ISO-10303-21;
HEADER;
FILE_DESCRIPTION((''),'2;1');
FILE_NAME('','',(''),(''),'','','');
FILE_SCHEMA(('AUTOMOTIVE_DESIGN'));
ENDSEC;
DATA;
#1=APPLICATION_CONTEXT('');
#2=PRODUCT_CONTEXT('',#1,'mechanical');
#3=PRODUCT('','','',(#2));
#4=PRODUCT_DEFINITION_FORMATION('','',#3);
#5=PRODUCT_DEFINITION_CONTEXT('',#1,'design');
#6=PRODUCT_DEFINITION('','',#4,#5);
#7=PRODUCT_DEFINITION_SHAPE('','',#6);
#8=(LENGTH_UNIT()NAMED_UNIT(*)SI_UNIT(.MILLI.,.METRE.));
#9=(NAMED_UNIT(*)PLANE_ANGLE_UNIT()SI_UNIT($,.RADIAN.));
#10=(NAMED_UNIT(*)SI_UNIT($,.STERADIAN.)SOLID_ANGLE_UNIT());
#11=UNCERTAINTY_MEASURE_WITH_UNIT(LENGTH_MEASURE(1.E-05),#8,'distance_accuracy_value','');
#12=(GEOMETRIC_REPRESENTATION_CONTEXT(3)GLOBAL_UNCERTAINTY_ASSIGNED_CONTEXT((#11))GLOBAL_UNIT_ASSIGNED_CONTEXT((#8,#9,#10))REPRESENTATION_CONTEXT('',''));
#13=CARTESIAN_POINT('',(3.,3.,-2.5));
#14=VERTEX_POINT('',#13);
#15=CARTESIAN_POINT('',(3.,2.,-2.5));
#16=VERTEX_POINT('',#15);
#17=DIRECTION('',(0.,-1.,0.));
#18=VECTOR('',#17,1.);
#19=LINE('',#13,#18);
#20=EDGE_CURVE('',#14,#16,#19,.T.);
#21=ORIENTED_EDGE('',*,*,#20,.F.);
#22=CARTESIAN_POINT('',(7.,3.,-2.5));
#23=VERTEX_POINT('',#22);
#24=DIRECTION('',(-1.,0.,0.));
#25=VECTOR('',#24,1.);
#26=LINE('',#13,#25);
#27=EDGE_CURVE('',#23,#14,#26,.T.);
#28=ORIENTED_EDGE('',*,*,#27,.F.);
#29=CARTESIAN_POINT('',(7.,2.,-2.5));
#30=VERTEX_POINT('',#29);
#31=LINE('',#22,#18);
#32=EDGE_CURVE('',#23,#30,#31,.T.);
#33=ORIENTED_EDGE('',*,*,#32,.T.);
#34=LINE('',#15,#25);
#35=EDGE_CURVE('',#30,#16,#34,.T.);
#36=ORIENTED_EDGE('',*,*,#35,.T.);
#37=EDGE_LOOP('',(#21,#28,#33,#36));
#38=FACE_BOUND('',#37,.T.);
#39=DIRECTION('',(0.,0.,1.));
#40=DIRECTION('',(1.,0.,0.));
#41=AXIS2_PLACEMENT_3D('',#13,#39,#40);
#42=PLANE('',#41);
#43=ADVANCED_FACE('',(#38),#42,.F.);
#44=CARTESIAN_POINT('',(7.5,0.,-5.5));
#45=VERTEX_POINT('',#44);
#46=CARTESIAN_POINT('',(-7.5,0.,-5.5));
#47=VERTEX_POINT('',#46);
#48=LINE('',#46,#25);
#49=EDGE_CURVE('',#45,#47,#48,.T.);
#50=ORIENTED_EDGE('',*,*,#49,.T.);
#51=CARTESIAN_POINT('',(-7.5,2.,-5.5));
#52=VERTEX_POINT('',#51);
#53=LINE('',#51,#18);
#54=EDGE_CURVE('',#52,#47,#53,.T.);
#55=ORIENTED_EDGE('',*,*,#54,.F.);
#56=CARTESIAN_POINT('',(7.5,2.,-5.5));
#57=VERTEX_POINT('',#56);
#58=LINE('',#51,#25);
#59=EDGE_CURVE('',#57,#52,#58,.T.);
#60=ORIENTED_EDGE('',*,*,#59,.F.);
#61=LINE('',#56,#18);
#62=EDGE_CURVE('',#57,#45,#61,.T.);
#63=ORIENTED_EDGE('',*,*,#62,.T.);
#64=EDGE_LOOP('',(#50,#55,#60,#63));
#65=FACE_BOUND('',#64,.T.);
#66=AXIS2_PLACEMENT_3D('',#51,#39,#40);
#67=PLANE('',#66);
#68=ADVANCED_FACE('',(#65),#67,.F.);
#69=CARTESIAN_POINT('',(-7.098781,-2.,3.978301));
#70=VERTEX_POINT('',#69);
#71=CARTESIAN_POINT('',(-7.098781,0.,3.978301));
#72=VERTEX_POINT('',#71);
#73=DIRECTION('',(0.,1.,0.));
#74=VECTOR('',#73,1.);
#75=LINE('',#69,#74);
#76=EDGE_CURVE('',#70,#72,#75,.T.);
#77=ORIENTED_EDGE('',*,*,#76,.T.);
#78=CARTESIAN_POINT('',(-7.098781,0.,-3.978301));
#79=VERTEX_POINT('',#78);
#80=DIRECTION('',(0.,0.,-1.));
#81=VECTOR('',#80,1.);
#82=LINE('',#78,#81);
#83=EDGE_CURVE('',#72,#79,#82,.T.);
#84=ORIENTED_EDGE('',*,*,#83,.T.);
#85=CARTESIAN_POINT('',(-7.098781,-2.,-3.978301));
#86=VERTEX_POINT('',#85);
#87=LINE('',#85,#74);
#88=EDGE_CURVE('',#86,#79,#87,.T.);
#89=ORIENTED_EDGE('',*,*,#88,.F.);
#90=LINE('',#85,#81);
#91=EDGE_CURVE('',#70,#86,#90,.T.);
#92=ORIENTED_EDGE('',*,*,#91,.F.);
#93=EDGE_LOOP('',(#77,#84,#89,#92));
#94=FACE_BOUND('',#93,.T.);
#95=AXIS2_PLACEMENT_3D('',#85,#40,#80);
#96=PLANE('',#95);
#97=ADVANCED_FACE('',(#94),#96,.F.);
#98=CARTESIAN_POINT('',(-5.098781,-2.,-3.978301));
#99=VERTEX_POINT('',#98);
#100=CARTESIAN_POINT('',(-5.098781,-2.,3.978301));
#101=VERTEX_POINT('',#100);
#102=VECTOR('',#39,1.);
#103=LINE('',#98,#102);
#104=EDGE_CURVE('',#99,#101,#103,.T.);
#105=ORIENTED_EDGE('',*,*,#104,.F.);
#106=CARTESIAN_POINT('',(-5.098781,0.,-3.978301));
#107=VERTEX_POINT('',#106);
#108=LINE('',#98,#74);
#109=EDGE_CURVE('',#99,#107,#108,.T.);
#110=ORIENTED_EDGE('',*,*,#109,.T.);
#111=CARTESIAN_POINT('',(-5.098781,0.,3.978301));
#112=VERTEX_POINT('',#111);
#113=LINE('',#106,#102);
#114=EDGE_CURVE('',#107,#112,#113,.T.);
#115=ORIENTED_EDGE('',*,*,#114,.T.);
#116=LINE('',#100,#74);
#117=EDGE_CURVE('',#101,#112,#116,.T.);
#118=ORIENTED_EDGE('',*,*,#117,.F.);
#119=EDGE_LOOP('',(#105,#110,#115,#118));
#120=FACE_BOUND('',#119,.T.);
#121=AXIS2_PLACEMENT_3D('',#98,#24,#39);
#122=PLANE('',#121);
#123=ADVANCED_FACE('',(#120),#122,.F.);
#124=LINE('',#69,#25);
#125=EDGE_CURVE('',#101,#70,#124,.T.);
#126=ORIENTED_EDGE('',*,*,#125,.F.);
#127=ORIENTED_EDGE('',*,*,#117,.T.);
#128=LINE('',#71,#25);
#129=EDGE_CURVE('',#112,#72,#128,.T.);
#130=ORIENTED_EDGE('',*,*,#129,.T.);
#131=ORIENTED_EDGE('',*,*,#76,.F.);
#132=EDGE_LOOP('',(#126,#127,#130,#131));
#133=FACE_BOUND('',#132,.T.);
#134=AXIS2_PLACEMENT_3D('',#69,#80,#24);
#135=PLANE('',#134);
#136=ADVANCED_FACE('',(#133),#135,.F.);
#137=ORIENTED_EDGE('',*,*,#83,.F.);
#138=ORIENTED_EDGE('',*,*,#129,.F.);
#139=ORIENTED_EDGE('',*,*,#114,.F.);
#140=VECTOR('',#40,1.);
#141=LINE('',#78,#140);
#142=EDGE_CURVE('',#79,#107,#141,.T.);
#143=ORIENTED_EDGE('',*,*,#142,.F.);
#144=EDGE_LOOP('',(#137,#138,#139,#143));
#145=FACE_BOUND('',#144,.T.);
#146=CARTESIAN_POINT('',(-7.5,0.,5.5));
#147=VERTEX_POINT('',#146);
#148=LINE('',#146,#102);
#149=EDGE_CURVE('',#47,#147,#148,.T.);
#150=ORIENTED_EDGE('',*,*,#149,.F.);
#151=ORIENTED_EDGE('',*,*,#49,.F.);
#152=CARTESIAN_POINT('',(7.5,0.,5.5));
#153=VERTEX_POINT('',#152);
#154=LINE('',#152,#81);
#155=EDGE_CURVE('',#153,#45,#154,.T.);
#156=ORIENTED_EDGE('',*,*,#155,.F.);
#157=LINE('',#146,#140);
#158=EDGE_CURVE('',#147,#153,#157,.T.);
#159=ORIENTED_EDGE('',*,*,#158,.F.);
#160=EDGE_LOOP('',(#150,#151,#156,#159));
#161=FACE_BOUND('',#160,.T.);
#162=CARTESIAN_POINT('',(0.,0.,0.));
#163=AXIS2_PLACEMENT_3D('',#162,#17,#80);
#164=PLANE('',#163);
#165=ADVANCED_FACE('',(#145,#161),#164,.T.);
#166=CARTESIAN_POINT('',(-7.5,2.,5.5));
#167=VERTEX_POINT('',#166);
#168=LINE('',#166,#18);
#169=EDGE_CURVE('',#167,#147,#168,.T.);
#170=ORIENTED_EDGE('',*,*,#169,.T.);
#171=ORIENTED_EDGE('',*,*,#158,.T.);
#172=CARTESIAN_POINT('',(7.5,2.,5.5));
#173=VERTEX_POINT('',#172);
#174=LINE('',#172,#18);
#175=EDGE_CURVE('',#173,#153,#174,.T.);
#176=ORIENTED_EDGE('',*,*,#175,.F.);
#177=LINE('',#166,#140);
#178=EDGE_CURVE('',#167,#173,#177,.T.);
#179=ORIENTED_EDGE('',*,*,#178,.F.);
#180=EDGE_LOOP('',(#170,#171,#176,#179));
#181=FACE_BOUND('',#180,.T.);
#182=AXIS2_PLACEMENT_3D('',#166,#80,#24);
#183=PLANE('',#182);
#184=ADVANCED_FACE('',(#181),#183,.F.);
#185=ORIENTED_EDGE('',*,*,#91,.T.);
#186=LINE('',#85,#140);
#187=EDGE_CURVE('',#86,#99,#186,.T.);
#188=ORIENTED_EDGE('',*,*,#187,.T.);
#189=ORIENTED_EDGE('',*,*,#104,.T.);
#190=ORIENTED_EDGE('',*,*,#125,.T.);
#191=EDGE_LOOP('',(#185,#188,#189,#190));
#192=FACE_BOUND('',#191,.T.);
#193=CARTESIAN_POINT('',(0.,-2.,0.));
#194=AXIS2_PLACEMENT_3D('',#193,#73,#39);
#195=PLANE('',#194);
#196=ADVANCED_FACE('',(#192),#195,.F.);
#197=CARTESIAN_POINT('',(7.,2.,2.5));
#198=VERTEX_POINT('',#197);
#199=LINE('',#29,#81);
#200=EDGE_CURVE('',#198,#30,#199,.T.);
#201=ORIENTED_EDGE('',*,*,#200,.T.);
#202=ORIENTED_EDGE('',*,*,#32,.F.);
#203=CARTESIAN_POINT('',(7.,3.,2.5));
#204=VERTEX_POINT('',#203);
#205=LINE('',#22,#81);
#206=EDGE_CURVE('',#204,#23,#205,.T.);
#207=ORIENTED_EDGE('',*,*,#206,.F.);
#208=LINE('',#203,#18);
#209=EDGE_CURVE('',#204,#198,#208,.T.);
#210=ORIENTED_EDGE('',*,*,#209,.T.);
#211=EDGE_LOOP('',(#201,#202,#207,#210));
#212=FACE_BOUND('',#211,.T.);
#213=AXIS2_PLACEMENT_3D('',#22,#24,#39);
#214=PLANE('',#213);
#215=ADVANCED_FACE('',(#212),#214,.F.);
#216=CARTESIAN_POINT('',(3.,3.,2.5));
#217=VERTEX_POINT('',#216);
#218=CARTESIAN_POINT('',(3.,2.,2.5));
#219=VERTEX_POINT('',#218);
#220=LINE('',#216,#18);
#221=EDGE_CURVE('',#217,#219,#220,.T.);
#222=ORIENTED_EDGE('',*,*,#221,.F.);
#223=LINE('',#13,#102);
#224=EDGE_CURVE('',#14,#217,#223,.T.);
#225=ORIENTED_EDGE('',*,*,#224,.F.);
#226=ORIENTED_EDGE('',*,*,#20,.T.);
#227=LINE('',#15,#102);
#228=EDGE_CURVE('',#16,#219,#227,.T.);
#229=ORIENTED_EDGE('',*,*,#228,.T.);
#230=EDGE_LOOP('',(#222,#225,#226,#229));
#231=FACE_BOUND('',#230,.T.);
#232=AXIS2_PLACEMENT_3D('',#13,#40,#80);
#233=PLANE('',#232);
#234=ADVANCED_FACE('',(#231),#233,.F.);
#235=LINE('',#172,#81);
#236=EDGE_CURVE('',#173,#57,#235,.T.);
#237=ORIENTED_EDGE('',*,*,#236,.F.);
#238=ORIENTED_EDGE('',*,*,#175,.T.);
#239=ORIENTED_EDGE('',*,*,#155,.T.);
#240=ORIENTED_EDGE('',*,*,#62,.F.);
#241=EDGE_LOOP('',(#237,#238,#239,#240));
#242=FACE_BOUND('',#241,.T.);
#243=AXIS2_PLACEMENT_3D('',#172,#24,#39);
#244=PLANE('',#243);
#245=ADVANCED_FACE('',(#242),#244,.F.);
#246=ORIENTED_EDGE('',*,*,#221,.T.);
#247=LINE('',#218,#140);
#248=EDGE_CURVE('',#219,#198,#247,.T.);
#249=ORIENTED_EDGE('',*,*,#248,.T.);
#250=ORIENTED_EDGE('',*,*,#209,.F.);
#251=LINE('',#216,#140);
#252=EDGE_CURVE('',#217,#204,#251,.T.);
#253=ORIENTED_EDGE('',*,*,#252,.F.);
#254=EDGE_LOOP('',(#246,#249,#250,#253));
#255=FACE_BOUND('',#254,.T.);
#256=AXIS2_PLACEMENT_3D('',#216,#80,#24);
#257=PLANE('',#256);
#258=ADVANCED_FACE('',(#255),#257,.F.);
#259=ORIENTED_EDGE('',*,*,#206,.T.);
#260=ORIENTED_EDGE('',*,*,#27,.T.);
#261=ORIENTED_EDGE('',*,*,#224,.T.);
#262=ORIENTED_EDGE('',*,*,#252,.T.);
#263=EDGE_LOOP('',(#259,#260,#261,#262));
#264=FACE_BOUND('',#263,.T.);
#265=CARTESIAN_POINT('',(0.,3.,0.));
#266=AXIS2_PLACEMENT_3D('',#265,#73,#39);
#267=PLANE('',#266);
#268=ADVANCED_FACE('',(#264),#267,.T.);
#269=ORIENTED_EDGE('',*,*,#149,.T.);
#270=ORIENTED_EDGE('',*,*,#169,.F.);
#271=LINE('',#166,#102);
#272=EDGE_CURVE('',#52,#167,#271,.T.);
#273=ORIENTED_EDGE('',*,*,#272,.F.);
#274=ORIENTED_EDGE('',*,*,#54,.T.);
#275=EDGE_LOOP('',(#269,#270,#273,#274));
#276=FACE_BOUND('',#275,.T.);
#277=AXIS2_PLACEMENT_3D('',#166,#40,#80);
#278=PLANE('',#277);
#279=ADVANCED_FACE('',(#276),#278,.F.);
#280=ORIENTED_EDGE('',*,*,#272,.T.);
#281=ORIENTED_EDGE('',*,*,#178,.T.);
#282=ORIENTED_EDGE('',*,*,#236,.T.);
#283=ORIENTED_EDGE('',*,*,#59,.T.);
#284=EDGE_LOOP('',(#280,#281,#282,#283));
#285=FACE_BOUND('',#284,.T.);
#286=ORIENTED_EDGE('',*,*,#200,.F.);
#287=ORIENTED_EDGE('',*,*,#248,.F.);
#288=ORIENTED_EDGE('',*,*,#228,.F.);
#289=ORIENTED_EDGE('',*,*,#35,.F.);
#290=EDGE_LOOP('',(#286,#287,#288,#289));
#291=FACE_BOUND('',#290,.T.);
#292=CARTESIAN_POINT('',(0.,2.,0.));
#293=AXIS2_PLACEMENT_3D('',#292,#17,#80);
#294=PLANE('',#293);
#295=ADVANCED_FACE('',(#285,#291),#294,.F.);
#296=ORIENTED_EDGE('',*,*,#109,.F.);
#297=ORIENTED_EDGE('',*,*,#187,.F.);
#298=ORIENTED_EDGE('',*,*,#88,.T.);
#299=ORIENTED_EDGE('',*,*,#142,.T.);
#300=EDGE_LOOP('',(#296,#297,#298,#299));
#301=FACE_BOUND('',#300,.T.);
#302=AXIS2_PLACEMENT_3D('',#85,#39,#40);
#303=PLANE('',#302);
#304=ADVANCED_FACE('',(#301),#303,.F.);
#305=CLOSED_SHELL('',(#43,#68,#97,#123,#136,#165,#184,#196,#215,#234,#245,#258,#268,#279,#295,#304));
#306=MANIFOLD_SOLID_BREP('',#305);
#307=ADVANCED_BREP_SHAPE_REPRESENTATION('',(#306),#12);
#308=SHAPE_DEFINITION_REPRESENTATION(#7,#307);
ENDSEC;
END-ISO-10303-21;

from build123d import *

# Parameters (mm, degrees)
SKETCH_1_W      = 15
SKETCH_1_H      = 11
EXTRUDE_1_DEPTH = 2
SKETCH_2_W      = 4
SKETCH_2_H      = 5
EXTRUDE_2_DEPTH = 1
SKETCH_3_W      = 2
SKETCH_3_H      = 7.956602162
EXTRUDE_3_DEPTH = 2


with BuildPart() as part:
    # 스케치1 → 보스-돌출1 (new body)
    with BuildSketch(Plane(origin=(0, 0, 0), x_dir=(1, 0, 0), z_dir=(0, 1, 0))):
        Rectangle(SKETCH_1_W, SKETCH_1_H)
    extrude(amount=EXTRUDE_1_DEPTH)

    # 스케치2 → 보스-돌출2 (add)
    with BuildSketch(Plane(origin=(0, 2, 0), x_dir=(1, 0, 0), z_dir=(0, 1, 0))):
        with Locations((5, 0)):
            Rectangle(SKETCH_2_W, SKETCH_2_H)
    extrude(amount=EXTRUDE_2_DEPTH)

    # 스케치3 → 보스-돌출3 (add)
    with BuildSketch(Plane.XZ):
        with Locations((-6.098780992, 0)):
            Rectangle(SKETCH_3_W, SKETCH_3_H)
    extrude(amount=EXTRUDE_3_DEPTH)


solid = part.part
